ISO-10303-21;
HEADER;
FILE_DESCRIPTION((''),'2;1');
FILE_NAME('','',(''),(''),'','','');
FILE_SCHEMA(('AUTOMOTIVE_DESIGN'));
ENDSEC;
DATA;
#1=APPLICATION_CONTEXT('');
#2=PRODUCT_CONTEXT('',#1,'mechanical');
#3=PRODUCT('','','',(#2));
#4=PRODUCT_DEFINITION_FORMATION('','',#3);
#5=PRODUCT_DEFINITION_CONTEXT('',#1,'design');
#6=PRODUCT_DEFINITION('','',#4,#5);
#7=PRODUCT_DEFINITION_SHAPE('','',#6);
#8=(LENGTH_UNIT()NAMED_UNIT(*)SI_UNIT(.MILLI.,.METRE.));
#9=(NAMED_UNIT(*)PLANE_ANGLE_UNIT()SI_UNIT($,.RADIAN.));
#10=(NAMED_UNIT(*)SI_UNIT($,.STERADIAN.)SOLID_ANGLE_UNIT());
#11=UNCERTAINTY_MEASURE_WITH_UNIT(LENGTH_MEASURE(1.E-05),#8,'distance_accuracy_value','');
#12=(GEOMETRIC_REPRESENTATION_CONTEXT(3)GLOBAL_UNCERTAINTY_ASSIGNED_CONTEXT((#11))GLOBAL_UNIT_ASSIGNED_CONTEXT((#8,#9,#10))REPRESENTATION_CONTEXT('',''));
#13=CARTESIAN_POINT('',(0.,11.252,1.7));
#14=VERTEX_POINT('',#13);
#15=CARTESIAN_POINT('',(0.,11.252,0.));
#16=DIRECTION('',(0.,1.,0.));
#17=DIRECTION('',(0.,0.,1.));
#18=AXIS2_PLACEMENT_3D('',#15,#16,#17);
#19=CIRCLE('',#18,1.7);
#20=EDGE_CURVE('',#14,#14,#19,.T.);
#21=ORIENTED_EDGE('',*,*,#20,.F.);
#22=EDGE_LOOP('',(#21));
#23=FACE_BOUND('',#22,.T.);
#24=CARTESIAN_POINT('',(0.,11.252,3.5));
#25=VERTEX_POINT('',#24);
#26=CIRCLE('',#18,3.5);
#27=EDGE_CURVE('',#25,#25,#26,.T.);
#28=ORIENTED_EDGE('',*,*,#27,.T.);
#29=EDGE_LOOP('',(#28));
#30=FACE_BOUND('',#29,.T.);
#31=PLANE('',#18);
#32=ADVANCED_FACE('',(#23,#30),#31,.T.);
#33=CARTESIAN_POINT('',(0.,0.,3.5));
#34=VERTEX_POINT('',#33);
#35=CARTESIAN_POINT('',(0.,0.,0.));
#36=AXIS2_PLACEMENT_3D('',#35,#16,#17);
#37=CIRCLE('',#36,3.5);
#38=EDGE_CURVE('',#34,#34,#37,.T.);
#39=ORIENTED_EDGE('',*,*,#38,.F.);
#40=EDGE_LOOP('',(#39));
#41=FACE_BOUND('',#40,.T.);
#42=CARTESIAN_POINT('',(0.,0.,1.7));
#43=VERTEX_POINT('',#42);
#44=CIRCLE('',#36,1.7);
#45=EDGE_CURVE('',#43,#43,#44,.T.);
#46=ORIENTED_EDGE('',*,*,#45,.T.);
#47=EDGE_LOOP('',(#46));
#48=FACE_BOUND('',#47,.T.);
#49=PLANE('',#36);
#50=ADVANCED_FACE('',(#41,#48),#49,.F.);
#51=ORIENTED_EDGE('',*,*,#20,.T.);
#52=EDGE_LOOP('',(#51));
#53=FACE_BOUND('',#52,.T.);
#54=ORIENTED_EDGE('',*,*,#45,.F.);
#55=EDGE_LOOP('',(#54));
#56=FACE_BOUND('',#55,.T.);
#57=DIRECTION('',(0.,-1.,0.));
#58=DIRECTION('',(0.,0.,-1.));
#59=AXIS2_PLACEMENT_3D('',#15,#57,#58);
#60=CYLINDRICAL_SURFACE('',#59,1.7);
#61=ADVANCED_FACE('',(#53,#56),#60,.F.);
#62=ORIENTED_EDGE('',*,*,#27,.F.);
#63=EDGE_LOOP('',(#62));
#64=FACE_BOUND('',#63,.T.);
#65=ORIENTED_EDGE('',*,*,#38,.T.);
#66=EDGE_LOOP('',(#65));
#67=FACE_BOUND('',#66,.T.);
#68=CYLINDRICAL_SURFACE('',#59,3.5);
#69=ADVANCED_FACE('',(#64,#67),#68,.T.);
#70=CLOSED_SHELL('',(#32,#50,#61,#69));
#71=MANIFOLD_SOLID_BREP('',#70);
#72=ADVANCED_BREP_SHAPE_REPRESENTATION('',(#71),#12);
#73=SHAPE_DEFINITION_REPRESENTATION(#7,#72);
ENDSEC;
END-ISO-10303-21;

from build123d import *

# Parameters (mm, degrees)
SKETCH1_R           = 3.5
SKETCH1_R_2         = 1.7
BOSS_EXTRUDE1_DEPTH = 11.252


with BuildPart() as part:
    # Sketch1 → Boss-Extrude1 (new body)
    with BuildSketch(Plane(origin=(0, 0, 0), x_dir=(1, 0, 0), z_dir=(0, 1, 0))):
        with Locations(Location((0, 0, 0), (0, 0, 270))):
            Circle(SKETCH1_R)
        with Locations(Location((0, 0, 0), (0, 0, 270))):
            Circle(SKETCH1_R_2, mode=Mode.SUBTRACT)
    extrude(amount=BOSS_EXTRUDE1_DEPTH)


solid = part.part
